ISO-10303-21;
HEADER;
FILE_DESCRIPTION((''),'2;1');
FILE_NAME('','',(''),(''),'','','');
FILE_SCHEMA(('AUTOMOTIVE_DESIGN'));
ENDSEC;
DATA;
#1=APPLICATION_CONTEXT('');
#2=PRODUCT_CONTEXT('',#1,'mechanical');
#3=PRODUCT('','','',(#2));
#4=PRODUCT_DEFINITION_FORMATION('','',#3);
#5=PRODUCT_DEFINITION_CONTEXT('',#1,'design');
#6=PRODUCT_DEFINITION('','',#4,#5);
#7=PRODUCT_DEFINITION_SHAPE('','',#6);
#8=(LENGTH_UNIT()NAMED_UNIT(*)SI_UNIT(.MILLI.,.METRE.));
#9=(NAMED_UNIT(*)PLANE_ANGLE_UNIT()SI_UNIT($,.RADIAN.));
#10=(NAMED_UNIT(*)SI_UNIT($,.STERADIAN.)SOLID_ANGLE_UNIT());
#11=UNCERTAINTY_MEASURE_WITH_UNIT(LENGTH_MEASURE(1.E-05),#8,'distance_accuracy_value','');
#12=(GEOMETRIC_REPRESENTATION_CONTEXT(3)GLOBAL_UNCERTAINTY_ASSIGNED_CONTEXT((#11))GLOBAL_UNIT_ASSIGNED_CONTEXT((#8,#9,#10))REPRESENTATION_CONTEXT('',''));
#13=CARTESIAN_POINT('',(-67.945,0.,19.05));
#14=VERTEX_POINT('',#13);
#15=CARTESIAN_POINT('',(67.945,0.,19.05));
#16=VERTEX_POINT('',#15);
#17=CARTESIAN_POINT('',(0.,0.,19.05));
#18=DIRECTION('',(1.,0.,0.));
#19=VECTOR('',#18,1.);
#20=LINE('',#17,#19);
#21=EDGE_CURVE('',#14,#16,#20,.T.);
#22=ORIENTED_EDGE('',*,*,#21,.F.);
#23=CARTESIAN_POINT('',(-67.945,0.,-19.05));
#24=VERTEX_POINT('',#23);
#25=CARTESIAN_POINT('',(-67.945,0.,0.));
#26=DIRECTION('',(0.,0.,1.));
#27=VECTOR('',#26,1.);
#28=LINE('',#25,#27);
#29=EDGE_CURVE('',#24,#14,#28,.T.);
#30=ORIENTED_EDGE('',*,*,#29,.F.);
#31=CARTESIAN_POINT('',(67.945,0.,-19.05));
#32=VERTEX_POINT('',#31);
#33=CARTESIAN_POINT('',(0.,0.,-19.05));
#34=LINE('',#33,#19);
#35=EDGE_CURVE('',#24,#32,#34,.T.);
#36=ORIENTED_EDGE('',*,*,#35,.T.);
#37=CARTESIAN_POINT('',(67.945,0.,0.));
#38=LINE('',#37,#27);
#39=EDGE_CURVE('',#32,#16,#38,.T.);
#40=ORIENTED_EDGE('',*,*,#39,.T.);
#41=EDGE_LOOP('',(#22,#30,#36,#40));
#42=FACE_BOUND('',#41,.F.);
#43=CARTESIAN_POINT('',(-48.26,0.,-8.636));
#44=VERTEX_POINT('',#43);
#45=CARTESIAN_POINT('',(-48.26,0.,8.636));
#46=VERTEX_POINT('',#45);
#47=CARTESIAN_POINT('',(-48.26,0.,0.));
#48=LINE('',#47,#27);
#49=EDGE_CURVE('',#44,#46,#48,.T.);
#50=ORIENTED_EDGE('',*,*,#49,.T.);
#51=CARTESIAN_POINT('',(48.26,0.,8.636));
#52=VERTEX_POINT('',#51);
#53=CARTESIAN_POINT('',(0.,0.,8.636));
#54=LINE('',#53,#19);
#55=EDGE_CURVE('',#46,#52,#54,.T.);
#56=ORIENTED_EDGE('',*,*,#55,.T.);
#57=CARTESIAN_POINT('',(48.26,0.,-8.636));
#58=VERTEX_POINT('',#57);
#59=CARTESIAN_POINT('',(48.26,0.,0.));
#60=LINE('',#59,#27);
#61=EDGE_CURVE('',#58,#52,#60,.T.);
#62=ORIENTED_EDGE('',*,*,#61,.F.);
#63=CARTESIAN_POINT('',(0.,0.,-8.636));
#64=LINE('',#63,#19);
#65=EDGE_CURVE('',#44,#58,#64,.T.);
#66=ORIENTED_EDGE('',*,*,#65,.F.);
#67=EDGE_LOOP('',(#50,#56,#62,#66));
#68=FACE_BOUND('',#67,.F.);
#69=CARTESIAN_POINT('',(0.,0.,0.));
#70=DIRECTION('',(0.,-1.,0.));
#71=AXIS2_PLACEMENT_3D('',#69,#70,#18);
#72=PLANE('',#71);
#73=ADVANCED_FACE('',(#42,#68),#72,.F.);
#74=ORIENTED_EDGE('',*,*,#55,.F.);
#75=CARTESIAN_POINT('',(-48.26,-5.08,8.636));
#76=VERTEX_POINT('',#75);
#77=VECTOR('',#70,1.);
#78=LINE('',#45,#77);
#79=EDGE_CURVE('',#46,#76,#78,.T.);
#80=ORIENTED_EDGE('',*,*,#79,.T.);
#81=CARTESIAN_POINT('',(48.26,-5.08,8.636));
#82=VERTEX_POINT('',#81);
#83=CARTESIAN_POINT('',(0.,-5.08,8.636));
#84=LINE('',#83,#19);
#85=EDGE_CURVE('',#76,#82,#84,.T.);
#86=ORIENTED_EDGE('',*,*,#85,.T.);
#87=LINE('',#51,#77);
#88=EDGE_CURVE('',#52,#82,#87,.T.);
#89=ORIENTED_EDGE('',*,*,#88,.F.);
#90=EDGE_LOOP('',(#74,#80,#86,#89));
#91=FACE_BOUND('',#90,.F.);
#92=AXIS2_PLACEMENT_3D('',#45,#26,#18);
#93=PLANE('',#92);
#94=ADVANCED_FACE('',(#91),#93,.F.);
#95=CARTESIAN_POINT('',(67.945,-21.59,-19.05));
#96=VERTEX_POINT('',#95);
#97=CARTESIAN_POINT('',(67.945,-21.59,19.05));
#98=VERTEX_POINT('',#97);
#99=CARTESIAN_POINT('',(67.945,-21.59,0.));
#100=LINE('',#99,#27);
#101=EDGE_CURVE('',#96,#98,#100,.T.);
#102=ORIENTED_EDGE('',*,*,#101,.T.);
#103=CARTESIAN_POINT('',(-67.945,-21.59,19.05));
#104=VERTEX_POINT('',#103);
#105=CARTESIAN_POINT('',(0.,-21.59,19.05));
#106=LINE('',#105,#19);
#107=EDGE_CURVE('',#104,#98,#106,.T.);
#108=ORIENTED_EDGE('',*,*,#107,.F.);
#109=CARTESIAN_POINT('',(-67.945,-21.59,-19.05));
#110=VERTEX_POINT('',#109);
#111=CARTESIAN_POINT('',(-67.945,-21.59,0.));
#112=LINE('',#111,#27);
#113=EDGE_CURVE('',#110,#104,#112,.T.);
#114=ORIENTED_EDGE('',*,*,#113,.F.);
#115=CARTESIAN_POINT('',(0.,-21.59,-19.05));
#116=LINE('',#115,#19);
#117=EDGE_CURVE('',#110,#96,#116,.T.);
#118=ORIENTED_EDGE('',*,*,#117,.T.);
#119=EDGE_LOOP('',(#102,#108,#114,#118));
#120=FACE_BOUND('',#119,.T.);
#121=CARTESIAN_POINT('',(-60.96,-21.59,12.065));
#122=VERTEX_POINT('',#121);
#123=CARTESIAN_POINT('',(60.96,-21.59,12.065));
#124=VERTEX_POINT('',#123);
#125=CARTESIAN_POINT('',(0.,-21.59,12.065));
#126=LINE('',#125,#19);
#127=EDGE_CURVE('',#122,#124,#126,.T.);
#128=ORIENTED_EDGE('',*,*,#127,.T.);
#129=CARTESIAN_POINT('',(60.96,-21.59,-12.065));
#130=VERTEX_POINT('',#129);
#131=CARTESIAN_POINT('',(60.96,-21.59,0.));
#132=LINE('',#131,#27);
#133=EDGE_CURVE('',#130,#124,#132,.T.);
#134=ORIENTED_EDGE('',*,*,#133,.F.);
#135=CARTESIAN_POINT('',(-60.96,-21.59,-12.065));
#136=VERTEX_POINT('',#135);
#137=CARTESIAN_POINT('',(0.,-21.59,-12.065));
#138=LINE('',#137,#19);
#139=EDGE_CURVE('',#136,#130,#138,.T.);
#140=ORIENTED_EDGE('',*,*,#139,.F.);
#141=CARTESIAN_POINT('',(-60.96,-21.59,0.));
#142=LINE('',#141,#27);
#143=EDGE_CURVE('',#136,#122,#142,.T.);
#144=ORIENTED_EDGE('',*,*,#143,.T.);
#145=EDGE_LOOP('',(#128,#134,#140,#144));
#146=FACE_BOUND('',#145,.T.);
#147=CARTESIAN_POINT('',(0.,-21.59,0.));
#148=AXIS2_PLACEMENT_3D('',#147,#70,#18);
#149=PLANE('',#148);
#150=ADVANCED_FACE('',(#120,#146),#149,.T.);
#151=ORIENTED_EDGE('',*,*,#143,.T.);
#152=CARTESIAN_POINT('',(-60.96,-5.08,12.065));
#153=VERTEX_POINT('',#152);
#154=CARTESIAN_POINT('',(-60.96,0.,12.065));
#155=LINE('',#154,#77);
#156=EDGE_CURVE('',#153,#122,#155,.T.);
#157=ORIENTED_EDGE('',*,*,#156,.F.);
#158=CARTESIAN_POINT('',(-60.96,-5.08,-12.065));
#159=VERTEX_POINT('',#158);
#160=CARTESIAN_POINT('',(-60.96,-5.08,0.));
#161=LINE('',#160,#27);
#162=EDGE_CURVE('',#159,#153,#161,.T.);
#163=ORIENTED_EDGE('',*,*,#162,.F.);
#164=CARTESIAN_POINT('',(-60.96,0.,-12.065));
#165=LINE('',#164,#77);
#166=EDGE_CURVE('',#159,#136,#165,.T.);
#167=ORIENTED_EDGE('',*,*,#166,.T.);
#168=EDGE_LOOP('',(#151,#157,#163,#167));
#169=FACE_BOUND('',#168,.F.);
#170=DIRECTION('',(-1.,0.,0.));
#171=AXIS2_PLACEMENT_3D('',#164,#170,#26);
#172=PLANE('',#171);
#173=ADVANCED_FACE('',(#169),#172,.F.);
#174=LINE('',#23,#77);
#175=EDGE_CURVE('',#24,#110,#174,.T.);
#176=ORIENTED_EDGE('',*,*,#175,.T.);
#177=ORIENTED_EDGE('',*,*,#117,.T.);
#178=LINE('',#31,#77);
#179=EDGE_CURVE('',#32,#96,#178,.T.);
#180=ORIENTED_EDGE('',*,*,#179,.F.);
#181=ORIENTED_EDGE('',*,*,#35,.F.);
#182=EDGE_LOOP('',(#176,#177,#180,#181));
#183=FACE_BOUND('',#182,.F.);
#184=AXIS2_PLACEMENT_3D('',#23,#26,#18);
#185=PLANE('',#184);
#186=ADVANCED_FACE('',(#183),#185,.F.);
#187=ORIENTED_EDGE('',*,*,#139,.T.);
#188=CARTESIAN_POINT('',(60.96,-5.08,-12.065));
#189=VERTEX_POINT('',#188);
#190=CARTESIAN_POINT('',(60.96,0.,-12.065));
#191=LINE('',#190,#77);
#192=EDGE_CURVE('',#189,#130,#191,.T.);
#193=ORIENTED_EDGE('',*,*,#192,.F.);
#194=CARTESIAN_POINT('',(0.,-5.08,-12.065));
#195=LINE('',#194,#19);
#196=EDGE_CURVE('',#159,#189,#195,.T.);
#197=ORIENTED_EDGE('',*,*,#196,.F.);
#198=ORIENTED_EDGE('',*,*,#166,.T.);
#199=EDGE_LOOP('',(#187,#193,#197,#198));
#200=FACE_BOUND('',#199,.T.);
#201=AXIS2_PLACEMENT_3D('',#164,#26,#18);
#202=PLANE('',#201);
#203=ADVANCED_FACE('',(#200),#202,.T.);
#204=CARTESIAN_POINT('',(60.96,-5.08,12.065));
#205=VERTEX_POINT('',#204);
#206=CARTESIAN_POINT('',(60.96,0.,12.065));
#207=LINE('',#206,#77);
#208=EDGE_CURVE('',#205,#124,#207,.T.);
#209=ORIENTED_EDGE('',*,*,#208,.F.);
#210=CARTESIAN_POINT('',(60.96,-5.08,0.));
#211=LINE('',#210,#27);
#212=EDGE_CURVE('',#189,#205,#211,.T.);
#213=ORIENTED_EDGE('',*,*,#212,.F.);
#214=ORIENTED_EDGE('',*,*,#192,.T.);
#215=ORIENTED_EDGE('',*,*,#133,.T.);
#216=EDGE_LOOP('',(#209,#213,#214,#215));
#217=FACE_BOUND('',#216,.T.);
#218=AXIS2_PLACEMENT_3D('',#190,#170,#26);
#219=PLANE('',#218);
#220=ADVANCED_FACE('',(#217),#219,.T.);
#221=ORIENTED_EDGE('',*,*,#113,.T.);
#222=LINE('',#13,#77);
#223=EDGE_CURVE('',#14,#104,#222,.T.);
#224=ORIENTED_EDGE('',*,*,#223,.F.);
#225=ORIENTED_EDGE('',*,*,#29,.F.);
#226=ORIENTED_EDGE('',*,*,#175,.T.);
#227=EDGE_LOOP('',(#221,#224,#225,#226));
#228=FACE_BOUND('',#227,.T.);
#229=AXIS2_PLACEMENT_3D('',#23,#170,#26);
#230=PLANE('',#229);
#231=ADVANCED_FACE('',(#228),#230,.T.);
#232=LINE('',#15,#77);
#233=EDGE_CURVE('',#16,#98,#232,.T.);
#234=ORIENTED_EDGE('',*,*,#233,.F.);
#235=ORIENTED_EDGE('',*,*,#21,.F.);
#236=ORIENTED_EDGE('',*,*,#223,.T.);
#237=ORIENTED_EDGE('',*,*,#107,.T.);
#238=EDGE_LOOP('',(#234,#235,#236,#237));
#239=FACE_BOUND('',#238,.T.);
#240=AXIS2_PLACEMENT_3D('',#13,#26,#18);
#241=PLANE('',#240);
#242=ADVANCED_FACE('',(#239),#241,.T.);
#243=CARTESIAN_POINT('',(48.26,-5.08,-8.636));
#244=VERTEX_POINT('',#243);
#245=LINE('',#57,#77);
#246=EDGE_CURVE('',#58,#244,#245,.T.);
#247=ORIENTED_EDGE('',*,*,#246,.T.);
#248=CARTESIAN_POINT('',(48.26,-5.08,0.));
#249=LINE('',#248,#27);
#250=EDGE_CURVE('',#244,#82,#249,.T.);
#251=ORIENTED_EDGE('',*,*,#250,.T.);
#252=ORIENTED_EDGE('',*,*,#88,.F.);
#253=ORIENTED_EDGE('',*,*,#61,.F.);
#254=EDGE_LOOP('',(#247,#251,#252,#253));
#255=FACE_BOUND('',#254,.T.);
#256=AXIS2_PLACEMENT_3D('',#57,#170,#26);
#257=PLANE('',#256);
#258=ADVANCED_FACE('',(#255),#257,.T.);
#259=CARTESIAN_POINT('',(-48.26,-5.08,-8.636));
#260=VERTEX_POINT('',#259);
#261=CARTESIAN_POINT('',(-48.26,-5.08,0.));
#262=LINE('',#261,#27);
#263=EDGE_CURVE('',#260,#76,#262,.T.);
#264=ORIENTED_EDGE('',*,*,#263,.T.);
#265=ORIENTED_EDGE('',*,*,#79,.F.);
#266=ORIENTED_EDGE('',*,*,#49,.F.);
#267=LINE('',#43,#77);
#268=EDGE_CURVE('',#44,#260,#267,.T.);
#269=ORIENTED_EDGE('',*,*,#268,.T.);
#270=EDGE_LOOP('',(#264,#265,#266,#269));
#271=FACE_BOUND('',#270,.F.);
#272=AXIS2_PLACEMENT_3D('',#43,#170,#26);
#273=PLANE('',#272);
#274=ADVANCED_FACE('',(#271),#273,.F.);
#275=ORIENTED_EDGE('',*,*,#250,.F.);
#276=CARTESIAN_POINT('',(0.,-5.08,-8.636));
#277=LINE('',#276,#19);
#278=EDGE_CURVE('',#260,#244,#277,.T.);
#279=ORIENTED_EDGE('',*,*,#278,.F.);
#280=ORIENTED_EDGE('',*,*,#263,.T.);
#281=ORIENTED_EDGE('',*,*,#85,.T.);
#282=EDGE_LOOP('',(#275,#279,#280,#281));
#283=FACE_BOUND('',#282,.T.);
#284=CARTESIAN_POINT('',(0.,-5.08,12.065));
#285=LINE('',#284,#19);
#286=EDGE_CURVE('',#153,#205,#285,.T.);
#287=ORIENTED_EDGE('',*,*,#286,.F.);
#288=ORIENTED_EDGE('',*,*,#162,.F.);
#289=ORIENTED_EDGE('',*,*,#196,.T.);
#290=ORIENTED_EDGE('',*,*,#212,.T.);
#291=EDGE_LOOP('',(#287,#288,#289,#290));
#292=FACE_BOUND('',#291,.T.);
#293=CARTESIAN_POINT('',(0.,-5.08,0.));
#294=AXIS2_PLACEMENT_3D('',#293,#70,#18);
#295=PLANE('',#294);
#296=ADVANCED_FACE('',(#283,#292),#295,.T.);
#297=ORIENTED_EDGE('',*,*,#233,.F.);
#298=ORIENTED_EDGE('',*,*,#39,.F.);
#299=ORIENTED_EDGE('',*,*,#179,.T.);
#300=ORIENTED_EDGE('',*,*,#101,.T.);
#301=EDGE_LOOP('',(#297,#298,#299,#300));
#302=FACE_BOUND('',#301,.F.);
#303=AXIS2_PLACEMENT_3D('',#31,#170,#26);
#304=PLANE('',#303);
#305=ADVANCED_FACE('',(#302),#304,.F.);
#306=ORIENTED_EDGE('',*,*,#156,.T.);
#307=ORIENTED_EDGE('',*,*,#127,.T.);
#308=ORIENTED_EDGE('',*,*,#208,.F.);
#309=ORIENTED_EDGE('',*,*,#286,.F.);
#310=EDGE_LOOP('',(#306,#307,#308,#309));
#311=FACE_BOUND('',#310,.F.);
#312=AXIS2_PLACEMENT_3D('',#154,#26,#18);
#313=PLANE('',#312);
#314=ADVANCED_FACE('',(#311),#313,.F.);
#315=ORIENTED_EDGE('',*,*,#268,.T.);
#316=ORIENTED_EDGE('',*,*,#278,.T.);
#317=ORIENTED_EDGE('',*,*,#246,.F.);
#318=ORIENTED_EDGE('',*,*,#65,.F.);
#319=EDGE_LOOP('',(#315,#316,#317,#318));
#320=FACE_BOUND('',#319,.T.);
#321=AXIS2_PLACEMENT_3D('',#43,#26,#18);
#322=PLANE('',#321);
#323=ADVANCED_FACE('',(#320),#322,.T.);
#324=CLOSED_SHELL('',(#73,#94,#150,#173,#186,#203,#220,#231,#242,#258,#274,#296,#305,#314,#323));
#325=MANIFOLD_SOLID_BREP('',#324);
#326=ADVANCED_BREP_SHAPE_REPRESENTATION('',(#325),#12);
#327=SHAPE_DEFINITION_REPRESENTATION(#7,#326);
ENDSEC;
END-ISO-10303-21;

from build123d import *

# Parameters (mm, degrees)
F0_W     = 121.92
F0_H     = 24.13
F0_W_2   = 96.52
F0_H_2   = 17.272
F1_DEPTH = 5.08
F2_W     = 135.89
F2_H     = 38.1
F2_W_2   = 121.92
F2_H_2   = 24.13
F3_DEPTH = 21.59


with BuildPart() as f1:
    # F0 (on Front) → F1 (new body)
    with BuildSketch(Plane.XZ):
        Rectangle(F0_W, F0_H)
        Rectangle(F0_W_2, F0_H_2, mode=Mode.SUBTRACT)
    extrude(amount=F1_DEPTH)

    # F2 (on Front) → F3 (join)
    with BuildSketch(Plane.XZ):
        Rectangle(F2_W, F2_H)
        Rectangle(F2_W_2, F2_H_2, mode=Mode.SUBTRACT)
    extrude(amount=F3_DEPTH)


solid = f1.part
